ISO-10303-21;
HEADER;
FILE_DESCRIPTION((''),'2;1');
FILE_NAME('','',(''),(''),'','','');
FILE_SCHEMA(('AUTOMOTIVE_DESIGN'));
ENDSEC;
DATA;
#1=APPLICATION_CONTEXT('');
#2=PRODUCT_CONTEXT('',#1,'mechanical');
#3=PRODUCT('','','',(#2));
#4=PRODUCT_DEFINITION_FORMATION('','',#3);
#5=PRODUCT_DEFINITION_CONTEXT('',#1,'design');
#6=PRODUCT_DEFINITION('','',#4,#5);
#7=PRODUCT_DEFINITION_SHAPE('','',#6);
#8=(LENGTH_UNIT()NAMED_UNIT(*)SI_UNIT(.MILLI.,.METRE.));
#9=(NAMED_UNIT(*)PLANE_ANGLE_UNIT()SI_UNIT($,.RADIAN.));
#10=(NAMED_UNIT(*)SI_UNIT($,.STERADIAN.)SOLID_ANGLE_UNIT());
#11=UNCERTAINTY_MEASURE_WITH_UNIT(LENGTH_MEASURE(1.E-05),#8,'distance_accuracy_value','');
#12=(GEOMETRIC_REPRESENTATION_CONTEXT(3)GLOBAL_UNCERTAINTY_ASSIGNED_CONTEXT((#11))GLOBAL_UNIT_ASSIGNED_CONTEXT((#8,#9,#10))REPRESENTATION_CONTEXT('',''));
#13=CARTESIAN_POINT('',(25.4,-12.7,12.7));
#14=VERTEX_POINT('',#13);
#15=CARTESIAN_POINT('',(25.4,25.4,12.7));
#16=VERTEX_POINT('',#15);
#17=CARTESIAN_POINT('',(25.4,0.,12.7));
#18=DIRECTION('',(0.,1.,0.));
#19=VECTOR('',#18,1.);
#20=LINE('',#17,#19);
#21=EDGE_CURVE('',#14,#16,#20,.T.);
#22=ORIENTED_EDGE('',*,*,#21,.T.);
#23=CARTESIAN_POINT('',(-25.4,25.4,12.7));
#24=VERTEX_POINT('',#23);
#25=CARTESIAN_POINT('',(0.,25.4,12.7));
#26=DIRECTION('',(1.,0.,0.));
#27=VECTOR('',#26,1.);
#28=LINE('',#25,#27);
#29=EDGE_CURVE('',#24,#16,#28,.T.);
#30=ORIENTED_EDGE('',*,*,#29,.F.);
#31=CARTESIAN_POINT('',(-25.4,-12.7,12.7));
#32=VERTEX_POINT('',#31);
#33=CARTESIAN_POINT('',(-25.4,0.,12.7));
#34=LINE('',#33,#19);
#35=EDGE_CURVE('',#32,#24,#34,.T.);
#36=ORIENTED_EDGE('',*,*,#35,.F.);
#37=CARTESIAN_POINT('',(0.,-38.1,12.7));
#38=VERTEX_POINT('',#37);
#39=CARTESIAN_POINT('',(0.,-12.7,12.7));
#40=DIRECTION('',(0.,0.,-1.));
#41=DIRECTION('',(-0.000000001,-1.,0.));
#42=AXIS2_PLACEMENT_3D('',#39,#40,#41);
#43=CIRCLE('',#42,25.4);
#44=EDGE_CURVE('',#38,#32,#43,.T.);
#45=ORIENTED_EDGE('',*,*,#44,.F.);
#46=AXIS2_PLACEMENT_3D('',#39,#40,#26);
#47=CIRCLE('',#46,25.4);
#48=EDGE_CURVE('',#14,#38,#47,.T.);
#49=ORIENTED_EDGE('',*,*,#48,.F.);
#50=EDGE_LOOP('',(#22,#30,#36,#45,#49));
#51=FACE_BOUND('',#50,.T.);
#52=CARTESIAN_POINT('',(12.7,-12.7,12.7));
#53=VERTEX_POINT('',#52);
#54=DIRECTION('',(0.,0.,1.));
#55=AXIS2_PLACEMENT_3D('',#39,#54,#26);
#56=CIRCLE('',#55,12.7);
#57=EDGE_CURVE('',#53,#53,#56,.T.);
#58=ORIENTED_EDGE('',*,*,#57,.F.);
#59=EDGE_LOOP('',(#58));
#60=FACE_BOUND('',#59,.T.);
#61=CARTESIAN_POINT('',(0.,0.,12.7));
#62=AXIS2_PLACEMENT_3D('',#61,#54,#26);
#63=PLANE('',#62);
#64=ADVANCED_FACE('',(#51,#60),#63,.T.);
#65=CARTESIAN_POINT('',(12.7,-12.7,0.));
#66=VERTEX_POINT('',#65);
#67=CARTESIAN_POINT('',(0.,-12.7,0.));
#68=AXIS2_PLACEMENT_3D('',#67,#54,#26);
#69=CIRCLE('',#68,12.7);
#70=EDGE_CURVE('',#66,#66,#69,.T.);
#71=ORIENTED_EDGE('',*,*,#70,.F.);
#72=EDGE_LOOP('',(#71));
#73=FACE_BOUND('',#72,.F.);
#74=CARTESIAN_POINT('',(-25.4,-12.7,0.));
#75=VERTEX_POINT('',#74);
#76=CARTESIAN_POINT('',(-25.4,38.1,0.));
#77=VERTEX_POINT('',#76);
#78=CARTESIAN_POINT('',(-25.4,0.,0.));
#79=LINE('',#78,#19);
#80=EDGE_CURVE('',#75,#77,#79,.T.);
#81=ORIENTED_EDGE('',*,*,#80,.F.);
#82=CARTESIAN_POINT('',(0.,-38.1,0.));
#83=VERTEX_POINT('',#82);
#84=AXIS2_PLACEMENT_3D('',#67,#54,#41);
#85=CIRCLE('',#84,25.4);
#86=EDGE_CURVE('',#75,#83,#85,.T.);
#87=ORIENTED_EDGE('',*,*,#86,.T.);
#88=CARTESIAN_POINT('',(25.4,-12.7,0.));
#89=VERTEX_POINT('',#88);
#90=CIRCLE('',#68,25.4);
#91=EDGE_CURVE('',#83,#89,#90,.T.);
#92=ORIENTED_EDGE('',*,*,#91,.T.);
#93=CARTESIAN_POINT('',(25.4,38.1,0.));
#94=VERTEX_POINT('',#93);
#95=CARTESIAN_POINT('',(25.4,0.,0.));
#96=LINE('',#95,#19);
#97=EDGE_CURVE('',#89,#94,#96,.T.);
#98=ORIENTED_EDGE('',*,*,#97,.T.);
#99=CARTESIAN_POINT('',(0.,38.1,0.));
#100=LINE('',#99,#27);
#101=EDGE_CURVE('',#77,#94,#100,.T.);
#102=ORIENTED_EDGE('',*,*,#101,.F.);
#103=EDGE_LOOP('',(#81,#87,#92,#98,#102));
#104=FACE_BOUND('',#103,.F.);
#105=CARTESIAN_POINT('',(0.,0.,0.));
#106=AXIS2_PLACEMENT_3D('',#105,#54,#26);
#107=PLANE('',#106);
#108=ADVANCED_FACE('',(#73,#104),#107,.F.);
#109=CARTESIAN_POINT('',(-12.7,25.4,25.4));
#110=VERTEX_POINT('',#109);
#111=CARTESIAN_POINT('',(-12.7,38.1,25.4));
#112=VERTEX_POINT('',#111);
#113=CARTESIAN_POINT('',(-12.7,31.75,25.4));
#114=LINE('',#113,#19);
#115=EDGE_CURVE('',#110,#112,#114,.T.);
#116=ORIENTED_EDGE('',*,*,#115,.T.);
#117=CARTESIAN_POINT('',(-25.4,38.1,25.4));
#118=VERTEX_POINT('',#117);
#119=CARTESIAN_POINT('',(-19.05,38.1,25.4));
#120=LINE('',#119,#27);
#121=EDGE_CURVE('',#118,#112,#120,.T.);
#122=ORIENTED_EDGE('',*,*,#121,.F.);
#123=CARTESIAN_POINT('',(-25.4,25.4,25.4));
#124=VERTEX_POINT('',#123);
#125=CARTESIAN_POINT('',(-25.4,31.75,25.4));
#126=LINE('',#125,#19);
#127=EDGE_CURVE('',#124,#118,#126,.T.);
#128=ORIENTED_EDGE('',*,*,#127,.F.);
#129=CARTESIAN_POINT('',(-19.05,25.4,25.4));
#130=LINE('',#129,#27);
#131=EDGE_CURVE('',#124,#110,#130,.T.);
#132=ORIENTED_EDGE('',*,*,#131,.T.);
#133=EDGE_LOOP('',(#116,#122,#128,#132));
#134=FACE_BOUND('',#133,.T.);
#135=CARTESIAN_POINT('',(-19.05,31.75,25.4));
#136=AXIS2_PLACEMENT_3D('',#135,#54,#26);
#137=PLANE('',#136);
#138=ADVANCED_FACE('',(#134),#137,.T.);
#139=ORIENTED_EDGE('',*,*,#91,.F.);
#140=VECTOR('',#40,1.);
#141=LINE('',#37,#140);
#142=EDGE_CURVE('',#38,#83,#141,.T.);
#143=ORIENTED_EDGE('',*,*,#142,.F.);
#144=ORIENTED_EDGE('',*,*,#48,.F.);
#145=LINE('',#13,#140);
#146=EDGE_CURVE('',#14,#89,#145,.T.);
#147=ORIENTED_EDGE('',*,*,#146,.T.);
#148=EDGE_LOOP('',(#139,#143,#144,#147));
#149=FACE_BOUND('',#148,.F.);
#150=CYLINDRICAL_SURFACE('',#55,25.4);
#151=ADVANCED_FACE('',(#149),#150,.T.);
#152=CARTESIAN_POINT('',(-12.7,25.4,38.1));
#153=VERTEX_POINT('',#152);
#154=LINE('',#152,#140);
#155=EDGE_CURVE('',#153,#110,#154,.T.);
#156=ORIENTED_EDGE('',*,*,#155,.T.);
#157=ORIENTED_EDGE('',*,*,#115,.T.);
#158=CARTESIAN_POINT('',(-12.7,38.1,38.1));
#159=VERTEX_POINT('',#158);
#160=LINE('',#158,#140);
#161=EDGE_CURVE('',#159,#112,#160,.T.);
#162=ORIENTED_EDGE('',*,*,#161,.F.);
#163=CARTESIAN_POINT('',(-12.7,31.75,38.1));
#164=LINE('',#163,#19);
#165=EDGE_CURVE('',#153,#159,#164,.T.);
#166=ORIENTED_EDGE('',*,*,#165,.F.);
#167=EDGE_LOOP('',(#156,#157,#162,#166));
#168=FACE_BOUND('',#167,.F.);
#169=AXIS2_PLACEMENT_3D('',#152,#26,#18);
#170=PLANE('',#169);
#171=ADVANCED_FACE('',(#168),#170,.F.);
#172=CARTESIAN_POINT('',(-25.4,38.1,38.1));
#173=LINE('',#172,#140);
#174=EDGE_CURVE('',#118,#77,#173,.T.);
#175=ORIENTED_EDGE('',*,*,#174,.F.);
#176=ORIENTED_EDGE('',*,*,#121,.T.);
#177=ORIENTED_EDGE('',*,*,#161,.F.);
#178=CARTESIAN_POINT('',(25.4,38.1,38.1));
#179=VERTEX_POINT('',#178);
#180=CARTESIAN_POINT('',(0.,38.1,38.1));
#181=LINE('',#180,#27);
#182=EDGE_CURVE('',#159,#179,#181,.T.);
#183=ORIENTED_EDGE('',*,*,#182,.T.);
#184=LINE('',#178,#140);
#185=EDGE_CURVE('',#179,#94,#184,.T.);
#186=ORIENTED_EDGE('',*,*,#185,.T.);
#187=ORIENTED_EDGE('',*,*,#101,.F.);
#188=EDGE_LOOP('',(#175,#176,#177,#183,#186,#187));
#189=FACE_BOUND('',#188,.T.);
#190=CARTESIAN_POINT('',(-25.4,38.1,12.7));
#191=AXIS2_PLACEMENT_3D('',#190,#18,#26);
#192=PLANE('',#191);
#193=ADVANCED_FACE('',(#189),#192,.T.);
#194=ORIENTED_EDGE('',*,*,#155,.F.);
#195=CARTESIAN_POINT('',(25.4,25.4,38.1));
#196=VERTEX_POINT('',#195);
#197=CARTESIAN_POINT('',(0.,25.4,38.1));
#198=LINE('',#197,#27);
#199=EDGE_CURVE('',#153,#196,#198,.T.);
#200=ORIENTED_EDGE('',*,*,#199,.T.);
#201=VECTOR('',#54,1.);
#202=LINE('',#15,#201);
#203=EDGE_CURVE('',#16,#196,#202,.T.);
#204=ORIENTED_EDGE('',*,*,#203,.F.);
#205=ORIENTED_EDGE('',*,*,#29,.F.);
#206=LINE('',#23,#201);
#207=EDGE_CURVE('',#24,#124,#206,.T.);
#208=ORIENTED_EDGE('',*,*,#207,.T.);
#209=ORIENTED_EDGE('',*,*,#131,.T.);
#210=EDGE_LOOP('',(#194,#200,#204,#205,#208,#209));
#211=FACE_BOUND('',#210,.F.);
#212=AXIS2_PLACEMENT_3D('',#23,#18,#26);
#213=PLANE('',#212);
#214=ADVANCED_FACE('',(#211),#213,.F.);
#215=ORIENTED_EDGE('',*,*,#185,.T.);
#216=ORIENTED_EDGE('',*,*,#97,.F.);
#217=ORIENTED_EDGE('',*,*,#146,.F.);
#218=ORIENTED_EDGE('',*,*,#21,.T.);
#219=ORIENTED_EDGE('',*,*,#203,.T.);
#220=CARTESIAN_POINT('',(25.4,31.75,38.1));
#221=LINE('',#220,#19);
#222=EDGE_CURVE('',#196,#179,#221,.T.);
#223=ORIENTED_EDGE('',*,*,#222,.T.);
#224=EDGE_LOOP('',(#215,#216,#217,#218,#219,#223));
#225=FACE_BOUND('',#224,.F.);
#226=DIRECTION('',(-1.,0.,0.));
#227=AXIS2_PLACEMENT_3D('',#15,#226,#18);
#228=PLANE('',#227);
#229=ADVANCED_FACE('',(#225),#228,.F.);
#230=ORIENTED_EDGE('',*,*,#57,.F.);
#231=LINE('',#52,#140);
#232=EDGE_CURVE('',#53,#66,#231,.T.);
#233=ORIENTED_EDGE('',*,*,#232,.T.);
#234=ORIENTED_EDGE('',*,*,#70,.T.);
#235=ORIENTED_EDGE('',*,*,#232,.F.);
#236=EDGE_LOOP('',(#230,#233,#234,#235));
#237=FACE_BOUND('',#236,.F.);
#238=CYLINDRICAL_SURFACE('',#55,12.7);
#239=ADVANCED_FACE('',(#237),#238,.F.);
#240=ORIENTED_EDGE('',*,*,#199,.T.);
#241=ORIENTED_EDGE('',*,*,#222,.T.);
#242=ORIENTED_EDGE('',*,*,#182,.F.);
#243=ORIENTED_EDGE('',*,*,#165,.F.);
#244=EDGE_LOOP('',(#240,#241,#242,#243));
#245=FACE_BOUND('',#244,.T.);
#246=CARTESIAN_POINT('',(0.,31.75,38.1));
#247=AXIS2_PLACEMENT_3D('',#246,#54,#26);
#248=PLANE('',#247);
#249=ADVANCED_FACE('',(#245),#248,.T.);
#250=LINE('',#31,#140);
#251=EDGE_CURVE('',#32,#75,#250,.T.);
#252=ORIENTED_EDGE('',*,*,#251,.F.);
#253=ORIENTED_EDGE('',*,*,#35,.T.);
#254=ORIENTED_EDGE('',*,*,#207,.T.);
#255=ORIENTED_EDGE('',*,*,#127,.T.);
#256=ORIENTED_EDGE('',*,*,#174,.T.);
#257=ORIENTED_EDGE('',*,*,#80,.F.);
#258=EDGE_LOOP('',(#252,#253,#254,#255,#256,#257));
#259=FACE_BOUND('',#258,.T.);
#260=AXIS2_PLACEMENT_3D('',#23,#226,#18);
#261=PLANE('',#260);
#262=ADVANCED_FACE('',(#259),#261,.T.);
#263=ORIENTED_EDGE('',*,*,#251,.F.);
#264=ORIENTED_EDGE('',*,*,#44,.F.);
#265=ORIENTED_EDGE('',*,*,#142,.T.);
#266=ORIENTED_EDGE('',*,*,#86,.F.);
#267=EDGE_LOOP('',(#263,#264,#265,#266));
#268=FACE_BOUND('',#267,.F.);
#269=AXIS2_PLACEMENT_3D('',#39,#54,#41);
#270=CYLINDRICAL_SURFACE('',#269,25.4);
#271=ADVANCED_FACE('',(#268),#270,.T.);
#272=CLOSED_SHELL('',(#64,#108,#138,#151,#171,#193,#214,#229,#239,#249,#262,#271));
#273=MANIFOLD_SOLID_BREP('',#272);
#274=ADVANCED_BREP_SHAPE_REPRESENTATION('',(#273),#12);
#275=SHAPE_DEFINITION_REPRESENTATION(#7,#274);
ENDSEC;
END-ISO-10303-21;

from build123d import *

# Parameters (mm, degrees)
F0_W     = 50.8
F0_H     = 76.2
F1_DEPTH = 12.7
F2_W     = 50.8
F2_H     = 12.7
F3_DEPTH = 25.4
F4_W     = 12.7
F4_H     = 12.7
F5_DEPTH = 12.7
F6_R     = 12.7
F7_DEPTH = 12.701


with BuildPart() as f1:
    # F0 (on Top) → F1 (new body)
    with BuildSketch(Plane.XY):
        Rectangle(F0_W, F0_H)
    extrude(amount=F1_DEPTH)

    # F2 (on face) → F3 (join)
    with BuildSketch(Plane.XY.offset(12.7)):
        with Locations((0, 31.75)):
            Rectangle(F2_W, F2_H)
    extrude(amount=F3_DEPTH)

    # F4 (on face) → F5 (cut)
    with BuildSketch(Plane.XY.offset(38.1)):
        with Locations((-19.05, 31.75)):
            Rectangle(F4_W, F4_H)
    extrude(amount=-F5_DEPTH, mode=Mode.SUBTRACT)

    # F6 (on face) → F7 (cut, through all)
    with BuildSketch(Plane.XY.offset(12.7)):
        with Locations((0, -12.7)):
            Circle(F6_R)
        with BuildLine():
            ThreePointArc((-2.54e-08, -38.1), (-17.9605122511, -30.6605122332), (-25.4, -12.7))
            Line((-25.4, -12.7), (-25.4, -38.1))
            Line((-25.4, -38.1), (-2.54e-08, -38.1))
        make_face()
        with BuildLine():
            ThreePointArc((25.4, -12.7), (17.9605122332, -30.6605122511), (-2.54e-08, -38.1))
            Line((-2.54e-08, -38.1), (25.4, -38.1))
            Line((25.4, -38.1), (25.4, -12.7))
        make_face()
    extrude(amount=-F7_DEPTH, mode=Mode.SUBTRACT)


solid = f1.part
